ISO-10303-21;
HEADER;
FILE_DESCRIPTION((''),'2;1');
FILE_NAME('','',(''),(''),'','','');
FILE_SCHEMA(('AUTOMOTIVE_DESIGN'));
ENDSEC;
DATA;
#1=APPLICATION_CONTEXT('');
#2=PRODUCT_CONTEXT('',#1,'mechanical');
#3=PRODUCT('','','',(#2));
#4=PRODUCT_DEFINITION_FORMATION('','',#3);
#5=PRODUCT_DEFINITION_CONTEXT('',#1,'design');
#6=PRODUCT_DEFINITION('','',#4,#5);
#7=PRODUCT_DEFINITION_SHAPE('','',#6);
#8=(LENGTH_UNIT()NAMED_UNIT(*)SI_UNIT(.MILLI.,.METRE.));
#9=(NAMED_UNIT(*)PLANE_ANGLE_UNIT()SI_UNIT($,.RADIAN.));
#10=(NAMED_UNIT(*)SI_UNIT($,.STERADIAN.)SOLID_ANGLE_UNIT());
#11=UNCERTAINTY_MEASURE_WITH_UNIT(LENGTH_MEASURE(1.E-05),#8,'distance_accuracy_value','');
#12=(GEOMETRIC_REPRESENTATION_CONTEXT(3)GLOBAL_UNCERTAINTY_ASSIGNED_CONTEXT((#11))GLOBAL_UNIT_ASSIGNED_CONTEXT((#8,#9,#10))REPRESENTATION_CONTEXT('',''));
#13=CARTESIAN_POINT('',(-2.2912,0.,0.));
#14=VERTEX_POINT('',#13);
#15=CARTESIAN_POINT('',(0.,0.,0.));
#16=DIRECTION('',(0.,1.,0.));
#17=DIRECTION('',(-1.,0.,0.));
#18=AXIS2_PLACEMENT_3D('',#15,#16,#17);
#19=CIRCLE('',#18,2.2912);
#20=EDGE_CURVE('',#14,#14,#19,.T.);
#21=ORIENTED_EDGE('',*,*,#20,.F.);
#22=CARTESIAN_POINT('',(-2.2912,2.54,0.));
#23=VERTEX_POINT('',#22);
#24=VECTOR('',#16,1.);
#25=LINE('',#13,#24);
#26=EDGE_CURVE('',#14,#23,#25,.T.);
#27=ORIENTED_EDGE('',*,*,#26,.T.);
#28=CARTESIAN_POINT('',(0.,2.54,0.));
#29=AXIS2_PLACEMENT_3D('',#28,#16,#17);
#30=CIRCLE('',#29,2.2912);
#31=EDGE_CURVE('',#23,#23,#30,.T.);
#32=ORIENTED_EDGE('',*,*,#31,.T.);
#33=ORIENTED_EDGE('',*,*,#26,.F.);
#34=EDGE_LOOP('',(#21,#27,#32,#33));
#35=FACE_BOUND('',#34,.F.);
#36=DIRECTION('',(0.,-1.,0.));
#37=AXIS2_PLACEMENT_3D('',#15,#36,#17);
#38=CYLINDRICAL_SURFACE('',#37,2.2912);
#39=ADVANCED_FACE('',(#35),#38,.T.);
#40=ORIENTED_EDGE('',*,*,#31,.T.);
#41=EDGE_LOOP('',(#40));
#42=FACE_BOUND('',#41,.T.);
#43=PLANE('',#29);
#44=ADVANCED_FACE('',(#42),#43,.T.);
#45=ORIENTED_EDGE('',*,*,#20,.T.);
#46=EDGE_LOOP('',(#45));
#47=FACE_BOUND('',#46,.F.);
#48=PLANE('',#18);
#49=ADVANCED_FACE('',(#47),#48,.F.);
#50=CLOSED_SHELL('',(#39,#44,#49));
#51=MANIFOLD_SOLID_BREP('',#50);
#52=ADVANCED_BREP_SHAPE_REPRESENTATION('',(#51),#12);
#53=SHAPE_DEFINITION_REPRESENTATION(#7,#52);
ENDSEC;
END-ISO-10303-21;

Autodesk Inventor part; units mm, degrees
ref_plane "YZ Plane" through (0, 0, 0) normal (1, 0, 0) x (0, 1, 0)
ref_plane "XZ Plane" through (0, 0, 0) normal (0, 1, 0) x (-1, 0, 0)
ref_plane "XY Plane" through (0, 0, 0) normal (0, 0, 1) x (1, 0, 0)
sketch "Sketch1" plane through (0, 0, 0) normal (0, 1, 0) x (-1, 0, 0)
  circle A0 centre (0, 0) radius 2.2912
extrude "Extrusion1" add sketch "Sketch1" along normal blind 2.54
sketch "Sketch2" plane through (0, 2.54, 0) normal (0, 1, 0) x (1, 0, 0)
  line L0 (0.0828, 2.2579) -> (-0.1064, 2.2579)
  line L1 (-0.1064, 2.2579) -> (-0.1064, 2.1752)
  line L2 (-0.1064, 2.1752) -> (0.0828, 2.1752)
  line L3 (0.0828, 2.1752) -> (0.0828, 2.2579)
  line L4 (-0.2715, 2.2431) -> (-0.4583, 2.2135)
  line L5 (-0.619, 2.173) -> (-0.7989, 2.1145)
  line L6 (-0.9513, 2.0494) -> (-1.1199, 1.9635)
  line L7 (-1.2602, 1.8753) -> (-1.4133, 1.7642)
  line L8 (-1.5381, 1.6551) -> (-1.6718, 1.5214)
  line L9 (-1.7781, 1.3941) -> (-1.8892, 1.2411)
  line L10 (-1.9743, 1.0988) -> (-2.0601, 0.9303)
  line L11 (-2.1218, 0.7764) -> (-2.1803, 0.5966)
  line L12 (-2.2172, 0.435) -> (-2.2468, 0.2481)
  line L13 (-2.2579, 0.0828) -> (-2.2579, -0.1064)
  line L14 (-2.2431, -0.2715) -> (-2.2135, -0.4583)
  line L15 (-2.173, -0.619) -> (-2.1145, -0.7989)
  line L16 (-2.0494, -0.9513) -> (-1.9635, -1.1199)
  line L17 (-1.8753, -1.2602) -> (-1.7642, -1.4133)
  line L18 (-1.6551, -1.5381) -> (-1.5214, -1.6718)
  line L19 (-1.3941, -1.7781) -> (-1.2411, -1.8892)
  line L20 (-1.0988, -1.9743) -> (-0.9303, -2.0601)
  line L21 (-0.7764, -2.1218) -> (-0.5966, -2.1803)
  line L22 (-0.435, -2.2172) -> (-0.2481, -2.2468)
  line L23 (-0.0828, -2.2579) -> (0.1064, -2.2579)
  line L24 (0.2715, -2.2431) -> (0.4583, -2.2135)
  line L25 (0.619, -2.173) -> (0.7989, -2.1145)
  line L26 (0.9513, -2.0494) -> (1.1199, -1.9635)
  line L27 (1.2602, -1.8753) -> (1.4133, -1.7642)
  line L28 (1.5381, -1.6551) -> (1.6718, -1.5214)
  line L29 (1.7781, -1.3941) -> (1.8892, -1.2411)
  line L30 (1.9743, -1.0988) -> (2.0601, -0.9303)
  line L31 (2.1218, -0.7764) -> (2.1803, -0.5966)
  line L32 (2.2172, -0.435) -> (2.2468, -0.2481)
  line L33 (2.2579, -0.0828) -> (2.2579, 0.1064)
  line L34 (2.2431, 0.2715) -> (2.2135, 0.4583)
  line L35 (2.173, 0.619) -> (2.1145, 0.7989)
  line L36 (2.0494, 0.9513) -> (1.9635, 1.1199)
  line L37 (1.8753, 1.2602) -> (1.7642, 1.4133)
  line L38 (1.6551, 1.5381) -> (1.5214, 1.6718)
  line L39 (1.3941, 1.7781) -> (1.2411, 1.8892)
  line L40 (1.0988, 1.9743) -> (0.9303, 2.0601)
  line L41 (0.7764, 2.1218) -> (0.5966, 2.1803)
  line L42 (0.435, 2.2172) -> (0.2481, 2.2468)
  point P0 (0, 0)
  dimension "d4" = 360
properties part number "Container Cap test"
